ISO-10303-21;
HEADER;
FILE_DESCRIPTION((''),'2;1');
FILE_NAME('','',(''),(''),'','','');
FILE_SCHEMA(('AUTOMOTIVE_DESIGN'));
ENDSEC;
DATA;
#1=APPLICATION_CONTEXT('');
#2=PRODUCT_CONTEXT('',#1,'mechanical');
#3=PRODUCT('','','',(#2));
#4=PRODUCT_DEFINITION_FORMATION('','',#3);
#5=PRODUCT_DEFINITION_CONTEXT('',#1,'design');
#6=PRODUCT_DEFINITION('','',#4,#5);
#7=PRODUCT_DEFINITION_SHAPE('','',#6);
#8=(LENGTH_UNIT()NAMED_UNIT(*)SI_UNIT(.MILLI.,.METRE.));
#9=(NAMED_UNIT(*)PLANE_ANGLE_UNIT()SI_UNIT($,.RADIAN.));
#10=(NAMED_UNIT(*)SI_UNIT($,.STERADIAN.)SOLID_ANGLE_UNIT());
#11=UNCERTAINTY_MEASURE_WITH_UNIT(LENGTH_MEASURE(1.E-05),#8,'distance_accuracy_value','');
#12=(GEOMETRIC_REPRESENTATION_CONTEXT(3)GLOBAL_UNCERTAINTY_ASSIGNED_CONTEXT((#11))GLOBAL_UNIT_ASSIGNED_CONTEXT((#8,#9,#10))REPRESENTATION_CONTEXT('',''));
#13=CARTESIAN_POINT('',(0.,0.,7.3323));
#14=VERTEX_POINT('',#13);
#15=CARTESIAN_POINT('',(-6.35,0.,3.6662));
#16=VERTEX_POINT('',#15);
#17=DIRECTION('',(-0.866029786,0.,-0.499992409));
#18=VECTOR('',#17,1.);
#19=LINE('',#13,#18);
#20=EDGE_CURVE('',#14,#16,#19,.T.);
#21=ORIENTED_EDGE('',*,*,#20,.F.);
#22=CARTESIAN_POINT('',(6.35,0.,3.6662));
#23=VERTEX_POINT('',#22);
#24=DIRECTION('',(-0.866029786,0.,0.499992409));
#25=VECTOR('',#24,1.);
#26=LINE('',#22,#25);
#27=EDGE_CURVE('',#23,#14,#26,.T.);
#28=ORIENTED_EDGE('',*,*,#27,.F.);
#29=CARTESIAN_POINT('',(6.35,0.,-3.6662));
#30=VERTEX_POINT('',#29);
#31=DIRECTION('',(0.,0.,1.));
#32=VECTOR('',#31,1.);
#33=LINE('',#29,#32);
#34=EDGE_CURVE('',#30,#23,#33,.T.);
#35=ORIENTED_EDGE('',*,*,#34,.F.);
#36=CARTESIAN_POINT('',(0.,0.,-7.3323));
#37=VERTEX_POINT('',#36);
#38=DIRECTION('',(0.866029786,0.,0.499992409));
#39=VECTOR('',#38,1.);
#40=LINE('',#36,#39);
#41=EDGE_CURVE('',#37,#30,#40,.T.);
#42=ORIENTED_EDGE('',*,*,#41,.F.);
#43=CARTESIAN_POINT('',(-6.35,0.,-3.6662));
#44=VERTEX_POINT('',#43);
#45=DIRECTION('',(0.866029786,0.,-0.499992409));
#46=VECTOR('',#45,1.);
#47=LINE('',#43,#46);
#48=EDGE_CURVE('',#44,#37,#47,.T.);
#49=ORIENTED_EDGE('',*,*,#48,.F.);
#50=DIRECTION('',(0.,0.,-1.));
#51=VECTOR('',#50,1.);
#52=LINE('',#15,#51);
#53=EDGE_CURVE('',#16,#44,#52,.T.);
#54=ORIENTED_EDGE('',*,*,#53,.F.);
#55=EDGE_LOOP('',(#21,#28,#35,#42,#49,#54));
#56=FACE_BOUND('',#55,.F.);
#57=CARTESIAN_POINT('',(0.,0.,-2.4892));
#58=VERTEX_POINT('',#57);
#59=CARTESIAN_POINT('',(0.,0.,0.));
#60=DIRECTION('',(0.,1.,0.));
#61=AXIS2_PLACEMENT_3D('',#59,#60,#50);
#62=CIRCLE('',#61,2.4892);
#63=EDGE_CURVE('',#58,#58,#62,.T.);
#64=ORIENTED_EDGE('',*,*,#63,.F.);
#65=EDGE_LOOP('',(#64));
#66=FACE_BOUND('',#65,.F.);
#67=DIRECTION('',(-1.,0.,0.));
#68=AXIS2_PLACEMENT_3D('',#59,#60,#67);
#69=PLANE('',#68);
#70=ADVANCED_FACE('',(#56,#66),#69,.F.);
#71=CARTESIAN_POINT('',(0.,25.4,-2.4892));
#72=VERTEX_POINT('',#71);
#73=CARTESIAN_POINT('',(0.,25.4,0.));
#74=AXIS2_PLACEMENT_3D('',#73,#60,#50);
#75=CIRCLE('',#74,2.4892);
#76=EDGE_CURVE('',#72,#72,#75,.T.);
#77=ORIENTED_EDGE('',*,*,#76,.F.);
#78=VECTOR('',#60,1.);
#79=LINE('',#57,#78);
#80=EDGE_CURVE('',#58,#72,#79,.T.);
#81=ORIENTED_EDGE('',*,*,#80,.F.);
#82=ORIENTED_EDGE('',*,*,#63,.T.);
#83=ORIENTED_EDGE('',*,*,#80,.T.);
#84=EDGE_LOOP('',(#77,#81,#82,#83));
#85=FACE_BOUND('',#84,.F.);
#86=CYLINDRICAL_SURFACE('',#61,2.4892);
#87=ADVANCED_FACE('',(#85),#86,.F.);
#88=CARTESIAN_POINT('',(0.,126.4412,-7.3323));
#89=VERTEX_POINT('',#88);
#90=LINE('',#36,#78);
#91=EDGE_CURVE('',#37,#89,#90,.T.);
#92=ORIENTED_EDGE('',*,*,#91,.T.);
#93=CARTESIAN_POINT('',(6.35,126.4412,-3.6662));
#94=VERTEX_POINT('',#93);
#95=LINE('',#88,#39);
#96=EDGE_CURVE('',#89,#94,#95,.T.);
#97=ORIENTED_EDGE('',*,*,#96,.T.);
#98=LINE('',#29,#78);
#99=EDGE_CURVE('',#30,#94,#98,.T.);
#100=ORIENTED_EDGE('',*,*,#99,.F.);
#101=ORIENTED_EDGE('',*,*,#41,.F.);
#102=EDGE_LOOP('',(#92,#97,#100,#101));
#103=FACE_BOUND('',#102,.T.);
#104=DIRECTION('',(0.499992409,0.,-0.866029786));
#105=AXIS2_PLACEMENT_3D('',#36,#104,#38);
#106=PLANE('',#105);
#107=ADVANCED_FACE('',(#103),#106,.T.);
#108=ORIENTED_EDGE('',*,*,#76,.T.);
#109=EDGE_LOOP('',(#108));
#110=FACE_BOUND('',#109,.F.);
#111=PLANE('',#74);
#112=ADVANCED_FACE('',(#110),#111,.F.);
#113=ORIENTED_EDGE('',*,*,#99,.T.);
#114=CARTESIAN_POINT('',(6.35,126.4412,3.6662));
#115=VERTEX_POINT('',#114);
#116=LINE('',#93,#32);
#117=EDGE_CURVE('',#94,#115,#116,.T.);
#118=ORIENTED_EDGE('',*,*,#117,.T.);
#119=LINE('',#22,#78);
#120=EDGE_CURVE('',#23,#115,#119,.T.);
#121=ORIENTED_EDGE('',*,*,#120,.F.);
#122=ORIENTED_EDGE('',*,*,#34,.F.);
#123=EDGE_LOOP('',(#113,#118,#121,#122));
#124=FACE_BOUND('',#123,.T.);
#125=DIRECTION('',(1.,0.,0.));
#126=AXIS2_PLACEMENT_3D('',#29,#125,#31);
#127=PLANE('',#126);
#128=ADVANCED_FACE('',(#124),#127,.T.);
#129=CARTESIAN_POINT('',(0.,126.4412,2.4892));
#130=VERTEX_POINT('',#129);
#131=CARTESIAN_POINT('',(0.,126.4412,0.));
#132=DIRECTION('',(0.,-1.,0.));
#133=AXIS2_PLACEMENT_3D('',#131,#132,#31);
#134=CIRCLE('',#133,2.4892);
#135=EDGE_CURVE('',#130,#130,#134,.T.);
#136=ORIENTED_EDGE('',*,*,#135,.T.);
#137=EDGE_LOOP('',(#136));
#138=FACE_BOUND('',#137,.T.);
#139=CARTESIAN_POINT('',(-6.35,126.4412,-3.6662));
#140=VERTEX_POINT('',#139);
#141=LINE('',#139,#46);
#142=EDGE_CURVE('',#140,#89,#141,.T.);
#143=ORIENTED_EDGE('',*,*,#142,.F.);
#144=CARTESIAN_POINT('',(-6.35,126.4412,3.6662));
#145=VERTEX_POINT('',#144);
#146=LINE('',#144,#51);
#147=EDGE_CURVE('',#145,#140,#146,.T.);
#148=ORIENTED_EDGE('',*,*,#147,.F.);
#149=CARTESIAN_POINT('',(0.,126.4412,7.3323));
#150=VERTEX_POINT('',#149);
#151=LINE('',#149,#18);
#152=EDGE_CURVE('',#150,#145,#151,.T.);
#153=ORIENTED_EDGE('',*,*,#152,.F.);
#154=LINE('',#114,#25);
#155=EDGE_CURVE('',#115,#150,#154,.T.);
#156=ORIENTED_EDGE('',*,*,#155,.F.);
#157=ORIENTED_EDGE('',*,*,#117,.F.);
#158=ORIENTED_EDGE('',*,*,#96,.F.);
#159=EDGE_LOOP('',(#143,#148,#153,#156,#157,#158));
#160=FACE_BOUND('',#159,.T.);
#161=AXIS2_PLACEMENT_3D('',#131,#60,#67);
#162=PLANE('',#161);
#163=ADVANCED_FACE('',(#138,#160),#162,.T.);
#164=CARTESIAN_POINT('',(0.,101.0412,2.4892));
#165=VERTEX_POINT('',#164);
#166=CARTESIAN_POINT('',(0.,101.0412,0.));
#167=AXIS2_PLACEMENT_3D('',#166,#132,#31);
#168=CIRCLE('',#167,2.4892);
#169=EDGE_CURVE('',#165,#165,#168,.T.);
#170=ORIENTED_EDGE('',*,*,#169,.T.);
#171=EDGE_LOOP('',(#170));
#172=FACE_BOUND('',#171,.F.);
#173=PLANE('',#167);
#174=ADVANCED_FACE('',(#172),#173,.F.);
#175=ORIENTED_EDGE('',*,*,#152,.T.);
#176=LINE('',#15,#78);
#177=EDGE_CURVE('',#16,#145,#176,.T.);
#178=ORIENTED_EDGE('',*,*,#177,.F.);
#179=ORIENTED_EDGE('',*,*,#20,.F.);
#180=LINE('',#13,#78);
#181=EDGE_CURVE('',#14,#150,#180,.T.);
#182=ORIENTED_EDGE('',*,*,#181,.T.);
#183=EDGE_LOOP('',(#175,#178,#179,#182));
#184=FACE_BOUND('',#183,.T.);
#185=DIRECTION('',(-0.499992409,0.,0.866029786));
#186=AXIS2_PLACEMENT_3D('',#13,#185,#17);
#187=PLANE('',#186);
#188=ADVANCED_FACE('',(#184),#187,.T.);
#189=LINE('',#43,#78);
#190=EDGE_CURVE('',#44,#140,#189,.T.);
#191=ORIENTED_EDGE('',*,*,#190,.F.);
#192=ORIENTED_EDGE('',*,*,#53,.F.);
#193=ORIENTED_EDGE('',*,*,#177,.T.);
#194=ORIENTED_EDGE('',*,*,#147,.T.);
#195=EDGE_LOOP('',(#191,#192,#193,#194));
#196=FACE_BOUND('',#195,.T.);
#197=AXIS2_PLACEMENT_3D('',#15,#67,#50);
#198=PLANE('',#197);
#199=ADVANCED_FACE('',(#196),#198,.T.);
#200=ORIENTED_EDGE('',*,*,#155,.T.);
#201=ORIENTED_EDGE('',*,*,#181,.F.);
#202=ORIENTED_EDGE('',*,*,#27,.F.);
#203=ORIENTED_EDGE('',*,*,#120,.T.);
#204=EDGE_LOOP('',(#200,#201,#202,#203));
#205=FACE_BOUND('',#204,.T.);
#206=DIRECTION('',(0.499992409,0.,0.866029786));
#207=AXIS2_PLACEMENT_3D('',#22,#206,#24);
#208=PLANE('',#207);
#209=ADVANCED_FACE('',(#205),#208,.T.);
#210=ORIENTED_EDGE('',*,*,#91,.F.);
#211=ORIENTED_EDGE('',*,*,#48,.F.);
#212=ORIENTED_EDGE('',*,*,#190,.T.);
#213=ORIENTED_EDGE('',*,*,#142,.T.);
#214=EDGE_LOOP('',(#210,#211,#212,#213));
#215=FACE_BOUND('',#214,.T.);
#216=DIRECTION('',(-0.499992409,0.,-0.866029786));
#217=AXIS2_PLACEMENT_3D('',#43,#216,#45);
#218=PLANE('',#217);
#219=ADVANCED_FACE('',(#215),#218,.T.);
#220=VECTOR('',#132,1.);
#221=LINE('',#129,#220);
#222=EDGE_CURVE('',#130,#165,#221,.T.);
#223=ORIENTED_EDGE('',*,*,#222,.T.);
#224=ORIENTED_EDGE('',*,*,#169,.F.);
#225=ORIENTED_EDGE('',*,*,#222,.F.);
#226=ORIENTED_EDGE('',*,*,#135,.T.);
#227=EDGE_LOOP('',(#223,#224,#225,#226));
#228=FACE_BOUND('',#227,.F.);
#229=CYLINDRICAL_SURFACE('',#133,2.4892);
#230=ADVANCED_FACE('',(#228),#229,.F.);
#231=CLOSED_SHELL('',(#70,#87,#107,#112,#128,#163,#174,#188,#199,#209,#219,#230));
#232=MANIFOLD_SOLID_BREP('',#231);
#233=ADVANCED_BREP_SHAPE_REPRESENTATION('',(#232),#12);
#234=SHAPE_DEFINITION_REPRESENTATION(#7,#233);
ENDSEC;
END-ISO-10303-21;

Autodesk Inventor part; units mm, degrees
ref_plane "YZ Plane" through (0, 0, 0) normal (1, 0, 0) x (0, 1, 0)
ref_plane "XZ Plane" through (0, 0, 0) normal (0, 1, 0) x (-1, 0, 0)
ref_plane "XY Plane" through (0, 0, 0) normal (0, 0, 1) x (1, 0, 0)
sketch "Sketch1" plane through (0, 0, 0) normal (0, 1, 0) x (-1, 0, 0)
  line L0 (6.35, -3.6662) -> (0, -7.3323)
  line L1 (0, -7.3323) -> (-6.35, -3.6662)
  line L2 (-6.35, -3.6662) -> (-6.35, 3.6662)
  line L3 (-6.35, 3.6662) -> (0, 7.3323)
  line L4 (0, 7.3323) -> (6.35, 3.6662)
  line L5 (6.35, 3.6662) -> (6.35, -3.6662)
  point P0 (0, 0)
  point P1 (0, 0)
  point P2 (0, 0)
  dimension "d0" = 12.7
extrude "Extrusion1" add sketch "Sketch1" along normal blind 126.4412
sketch "Sketch2" plane through (0, 126.4412, 0) normal (0, 1, 0) x (1, 0, 0)
  point P0 (0, 0)
  point P1 (0, 0)
hole "Hole1" at (0, 126.4412, 0) direction (0, -1, 0) diameter 4.9784 depth 25.4 thread size "1/4-20 UNC" class "2B" standard "ANSI Unified Screw Threads"
sketch "Sketch3" plane through (0, 0, 0) normal (0, -1, 0) x (1, 0, 0)
  point P0 (0, 0)
  point P1 (0, 0)
hole "Hole2" at (0, 0, 0) direction (0, 1, 0) diameter 4.9784 depth 25.4 thread size "1/4-20 UNC" class "2B" standard "ANSI Unified Screw Threads"
properties part number "ELEV_039_HEXSHAFT3" material "Aluminum 6061"
